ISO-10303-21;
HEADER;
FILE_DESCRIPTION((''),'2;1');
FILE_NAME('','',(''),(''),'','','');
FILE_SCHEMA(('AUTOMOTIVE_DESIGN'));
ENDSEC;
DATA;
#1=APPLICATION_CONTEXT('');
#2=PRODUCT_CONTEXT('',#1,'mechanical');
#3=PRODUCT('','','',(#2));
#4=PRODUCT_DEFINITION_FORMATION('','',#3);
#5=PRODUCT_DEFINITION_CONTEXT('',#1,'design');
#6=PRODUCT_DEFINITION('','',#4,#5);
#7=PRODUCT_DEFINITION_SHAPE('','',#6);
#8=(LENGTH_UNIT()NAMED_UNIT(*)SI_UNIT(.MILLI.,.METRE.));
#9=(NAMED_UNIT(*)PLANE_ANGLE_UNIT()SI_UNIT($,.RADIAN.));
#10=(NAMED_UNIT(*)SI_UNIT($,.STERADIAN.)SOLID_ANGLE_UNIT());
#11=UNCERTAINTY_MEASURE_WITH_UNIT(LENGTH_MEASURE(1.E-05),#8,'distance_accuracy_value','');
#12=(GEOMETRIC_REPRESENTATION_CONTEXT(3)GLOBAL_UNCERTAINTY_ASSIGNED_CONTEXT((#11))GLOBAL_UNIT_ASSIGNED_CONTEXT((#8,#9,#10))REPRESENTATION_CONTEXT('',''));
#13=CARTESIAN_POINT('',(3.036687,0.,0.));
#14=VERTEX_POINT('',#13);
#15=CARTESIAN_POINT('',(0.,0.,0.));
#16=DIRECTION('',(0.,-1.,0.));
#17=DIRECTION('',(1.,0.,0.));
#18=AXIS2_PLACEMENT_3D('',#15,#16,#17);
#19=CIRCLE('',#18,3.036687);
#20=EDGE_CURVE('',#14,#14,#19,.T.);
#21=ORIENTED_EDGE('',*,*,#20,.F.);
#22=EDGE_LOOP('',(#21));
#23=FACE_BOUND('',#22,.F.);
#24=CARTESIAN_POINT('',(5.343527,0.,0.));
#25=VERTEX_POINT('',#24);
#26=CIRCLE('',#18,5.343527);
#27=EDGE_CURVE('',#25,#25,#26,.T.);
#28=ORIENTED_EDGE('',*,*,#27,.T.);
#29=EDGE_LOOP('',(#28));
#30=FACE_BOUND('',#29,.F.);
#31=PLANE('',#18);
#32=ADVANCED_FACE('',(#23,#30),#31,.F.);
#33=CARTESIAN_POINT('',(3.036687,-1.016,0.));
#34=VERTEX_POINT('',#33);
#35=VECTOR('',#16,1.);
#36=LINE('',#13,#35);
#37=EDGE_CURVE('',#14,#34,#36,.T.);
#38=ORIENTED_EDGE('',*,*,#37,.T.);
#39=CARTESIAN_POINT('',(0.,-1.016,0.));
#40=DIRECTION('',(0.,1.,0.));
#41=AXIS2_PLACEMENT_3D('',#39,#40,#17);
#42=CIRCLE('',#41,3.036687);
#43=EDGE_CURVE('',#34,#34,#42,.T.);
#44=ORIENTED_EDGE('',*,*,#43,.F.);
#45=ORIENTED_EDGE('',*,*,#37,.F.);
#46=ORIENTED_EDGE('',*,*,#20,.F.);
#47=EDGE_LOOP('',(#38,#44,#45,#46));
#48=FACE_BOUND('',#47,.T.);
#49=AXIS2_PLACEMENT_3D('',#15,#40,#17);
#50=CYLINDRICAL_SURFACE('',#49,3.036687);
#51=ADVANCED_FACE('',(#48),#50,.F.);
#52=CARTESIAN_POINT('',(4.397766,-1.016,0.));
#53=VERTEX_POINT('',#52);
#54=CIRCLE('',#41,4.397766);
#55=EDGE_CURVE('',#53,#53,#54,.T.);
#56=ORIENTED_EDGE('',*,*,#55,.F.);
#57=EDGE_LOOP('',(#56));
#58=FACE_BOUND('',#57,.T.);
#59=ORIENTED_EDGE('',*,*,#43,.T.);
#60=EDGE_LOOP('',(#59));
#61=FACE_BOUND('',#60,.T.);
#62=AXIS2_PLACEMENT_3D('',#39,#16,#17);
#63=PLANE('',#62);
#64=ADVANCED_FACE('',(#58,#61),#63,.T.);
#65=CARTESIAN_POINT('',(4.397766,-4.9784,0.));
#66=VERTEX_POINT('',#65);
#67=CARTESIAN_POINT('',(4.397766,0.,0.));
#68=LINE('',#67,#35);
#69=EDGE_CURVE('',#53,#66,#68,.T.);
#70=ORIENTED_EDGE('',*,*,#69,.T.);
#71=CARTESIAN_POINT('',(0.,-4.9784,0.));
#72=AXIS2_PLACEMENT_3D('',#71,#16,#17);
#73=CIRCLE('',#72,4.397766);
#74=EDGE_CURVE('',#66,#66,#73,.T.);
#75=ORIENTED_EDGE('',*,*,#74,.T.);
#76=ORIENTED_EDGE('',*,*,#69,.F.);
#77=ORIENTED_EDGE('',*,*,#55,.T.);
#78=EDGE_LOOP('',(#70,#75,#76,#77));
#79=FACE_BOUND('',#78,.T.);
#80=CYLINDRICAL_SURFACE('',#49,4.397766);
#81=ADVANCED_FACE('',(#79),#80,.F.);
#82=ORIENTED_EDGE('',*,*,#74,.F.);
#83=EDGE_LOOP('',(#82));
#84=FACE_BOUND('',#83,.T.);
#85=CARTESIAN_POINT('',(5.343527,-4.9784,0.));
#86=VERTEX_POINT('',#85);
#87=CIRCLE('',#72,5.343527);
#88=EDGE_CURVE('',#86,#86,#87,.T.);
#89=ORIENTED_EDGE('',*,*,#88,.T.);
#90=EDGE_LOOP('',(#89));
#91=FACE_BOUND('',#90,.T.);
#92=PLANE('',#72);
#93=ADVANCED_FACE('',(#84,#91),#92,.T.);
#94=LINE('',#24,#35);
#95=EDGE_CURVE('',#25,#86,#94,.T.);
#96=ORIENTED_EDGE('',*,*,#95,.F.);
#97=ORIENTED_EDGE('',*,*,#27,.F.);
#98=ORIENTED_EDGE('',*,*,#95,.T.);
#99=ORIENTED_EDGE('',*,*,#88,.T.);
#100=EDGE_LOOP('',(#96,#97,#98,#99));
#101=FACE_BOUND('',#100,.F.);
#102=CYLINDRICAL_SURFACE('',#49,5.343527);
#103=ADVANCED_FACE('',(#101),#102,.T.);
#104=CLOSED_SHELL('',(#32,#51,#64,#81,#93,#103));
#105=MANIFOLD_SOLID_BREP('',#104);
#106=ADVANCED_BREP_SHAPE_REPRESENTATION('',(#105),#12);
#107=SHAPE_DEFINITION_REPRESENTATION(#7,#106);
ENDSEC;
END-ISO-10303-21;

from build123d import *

# Parameters (mm, degrees)
F0_R          = 5.3435268043
F0_R_2        = 4.397766481
F1_DEPTH      = 4.9784
F2_R          = 4.6160122021
F3_DEPTH      = 1.016
F4_R          = 3.0366866858
F5_DEPTH      = 25.4
F5_DEPTH_BACK = 25.4


with BuildPart() as f1:
    # F0 (on Front) → F1 (new body)
    with BuildSketch(Plane.XZ):
        Circle(F0_R)
        Circle(F0_R_2, mode=Mode.SUBTRACT)
    extrude(amount=F1_DEPTH)

    # F2 (on Front) → F3 (join)
    with BuildSketch(Plane.XZ):
        Circle(F2_R)
    extrude(amount=F3_DEPTH)

    # F4 (on Front) → F5 (cut, two sides)
    with BuildSketch(Plane.XZ) as f5_sk:
        Circle(F4_R)
    extrude(amount=-F5_DEPTH, mode=Mode.SUBTRACT)
    extrude(f5_sk.sketch, amount=F5_DEPTH_BACK, mode=Mode.SUBTRACT)


solid = f1.part
